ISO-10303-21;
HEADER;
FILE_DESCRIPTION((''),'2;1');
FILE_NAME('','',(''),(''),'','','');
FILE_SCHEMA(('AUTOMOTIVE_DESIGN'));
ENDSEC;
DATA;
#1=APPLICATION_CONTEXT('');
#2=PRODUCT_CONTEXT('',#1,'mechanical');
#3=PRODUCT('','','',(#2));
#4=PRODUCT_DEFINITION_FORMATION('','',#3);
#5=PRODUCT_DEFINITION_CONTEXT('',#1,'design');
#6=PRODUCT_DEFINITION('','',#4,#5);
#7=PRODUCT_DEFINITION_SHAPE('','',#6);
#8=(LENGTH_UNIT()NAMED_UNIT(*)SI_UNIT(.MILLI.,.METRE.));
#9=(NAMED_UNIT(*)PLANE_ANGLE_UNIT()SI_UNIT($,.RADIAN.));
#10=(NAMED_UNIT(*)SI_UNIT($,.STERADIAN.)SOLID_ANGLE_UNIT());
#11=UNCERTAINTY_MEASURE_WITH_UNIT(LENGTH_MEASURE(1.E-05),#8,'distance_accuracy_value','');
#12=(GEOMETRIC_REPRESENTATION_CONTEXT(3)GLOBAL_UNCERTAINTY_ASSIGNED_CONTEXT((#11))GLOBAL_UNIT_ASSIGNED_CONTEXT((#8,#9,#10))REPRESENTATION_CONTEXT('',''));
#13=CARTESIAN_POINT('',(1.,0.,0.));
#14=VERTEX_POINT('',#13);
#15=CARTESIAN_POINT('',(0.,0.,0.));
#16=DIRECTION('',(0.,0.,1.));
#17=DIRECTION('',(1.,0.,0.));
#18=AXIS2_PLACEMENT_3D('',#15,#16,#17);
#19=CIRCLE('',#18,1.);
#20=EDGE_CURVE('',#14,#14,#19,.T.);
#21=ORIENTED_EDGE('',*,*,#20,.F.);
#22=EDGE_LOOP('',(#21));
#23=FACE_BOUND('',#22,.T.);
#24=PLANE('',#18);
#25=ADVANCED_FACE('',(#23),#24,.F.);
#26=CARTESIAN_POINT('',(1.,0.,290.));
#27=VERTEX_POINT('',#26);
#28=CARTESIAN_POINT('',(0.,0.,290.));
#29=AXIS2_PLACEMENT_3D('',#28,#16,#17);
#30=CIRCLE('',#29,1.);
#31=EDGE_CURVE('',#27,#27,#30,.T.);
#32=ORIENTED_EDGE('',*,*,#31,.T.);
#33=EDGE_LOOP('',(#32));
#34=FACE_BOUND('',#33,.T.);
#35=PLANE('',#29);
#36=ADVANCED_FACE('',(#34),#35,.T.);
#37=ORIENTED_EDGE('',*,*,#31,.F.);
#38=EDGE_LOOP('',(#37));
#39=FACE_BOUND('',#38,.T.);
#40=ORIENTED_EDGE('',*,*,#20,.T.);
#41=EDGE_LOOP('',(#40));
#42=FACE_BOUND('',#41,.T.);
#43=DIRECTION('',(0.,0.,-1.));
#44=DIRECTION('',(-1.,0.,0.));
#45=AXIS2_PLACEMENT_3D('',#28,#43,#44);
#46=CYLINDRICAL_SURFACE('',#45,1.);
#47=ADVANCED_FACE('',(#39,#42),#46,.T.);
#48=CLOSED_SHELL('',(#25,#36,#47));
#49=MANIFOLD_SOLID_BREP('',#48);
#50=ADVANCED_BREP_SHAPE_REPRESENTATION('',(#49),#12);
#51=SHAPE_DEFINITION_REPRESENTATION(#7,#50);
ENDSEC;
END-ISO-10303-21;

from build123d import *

# Parameters (mm, degrees)
SKETCH_1_R      = 1
EXTRUDE_1_DEPTH = 290


with BuildPart() as part:
    # 草图1 → 凸台-拉伸1 (new body)
    with BuildSketch(Plane.XY):
        Circle(SKETCH_1_R)
    extrude(amount=EXTRUDE_1_DEPTH)


solid = part.part
